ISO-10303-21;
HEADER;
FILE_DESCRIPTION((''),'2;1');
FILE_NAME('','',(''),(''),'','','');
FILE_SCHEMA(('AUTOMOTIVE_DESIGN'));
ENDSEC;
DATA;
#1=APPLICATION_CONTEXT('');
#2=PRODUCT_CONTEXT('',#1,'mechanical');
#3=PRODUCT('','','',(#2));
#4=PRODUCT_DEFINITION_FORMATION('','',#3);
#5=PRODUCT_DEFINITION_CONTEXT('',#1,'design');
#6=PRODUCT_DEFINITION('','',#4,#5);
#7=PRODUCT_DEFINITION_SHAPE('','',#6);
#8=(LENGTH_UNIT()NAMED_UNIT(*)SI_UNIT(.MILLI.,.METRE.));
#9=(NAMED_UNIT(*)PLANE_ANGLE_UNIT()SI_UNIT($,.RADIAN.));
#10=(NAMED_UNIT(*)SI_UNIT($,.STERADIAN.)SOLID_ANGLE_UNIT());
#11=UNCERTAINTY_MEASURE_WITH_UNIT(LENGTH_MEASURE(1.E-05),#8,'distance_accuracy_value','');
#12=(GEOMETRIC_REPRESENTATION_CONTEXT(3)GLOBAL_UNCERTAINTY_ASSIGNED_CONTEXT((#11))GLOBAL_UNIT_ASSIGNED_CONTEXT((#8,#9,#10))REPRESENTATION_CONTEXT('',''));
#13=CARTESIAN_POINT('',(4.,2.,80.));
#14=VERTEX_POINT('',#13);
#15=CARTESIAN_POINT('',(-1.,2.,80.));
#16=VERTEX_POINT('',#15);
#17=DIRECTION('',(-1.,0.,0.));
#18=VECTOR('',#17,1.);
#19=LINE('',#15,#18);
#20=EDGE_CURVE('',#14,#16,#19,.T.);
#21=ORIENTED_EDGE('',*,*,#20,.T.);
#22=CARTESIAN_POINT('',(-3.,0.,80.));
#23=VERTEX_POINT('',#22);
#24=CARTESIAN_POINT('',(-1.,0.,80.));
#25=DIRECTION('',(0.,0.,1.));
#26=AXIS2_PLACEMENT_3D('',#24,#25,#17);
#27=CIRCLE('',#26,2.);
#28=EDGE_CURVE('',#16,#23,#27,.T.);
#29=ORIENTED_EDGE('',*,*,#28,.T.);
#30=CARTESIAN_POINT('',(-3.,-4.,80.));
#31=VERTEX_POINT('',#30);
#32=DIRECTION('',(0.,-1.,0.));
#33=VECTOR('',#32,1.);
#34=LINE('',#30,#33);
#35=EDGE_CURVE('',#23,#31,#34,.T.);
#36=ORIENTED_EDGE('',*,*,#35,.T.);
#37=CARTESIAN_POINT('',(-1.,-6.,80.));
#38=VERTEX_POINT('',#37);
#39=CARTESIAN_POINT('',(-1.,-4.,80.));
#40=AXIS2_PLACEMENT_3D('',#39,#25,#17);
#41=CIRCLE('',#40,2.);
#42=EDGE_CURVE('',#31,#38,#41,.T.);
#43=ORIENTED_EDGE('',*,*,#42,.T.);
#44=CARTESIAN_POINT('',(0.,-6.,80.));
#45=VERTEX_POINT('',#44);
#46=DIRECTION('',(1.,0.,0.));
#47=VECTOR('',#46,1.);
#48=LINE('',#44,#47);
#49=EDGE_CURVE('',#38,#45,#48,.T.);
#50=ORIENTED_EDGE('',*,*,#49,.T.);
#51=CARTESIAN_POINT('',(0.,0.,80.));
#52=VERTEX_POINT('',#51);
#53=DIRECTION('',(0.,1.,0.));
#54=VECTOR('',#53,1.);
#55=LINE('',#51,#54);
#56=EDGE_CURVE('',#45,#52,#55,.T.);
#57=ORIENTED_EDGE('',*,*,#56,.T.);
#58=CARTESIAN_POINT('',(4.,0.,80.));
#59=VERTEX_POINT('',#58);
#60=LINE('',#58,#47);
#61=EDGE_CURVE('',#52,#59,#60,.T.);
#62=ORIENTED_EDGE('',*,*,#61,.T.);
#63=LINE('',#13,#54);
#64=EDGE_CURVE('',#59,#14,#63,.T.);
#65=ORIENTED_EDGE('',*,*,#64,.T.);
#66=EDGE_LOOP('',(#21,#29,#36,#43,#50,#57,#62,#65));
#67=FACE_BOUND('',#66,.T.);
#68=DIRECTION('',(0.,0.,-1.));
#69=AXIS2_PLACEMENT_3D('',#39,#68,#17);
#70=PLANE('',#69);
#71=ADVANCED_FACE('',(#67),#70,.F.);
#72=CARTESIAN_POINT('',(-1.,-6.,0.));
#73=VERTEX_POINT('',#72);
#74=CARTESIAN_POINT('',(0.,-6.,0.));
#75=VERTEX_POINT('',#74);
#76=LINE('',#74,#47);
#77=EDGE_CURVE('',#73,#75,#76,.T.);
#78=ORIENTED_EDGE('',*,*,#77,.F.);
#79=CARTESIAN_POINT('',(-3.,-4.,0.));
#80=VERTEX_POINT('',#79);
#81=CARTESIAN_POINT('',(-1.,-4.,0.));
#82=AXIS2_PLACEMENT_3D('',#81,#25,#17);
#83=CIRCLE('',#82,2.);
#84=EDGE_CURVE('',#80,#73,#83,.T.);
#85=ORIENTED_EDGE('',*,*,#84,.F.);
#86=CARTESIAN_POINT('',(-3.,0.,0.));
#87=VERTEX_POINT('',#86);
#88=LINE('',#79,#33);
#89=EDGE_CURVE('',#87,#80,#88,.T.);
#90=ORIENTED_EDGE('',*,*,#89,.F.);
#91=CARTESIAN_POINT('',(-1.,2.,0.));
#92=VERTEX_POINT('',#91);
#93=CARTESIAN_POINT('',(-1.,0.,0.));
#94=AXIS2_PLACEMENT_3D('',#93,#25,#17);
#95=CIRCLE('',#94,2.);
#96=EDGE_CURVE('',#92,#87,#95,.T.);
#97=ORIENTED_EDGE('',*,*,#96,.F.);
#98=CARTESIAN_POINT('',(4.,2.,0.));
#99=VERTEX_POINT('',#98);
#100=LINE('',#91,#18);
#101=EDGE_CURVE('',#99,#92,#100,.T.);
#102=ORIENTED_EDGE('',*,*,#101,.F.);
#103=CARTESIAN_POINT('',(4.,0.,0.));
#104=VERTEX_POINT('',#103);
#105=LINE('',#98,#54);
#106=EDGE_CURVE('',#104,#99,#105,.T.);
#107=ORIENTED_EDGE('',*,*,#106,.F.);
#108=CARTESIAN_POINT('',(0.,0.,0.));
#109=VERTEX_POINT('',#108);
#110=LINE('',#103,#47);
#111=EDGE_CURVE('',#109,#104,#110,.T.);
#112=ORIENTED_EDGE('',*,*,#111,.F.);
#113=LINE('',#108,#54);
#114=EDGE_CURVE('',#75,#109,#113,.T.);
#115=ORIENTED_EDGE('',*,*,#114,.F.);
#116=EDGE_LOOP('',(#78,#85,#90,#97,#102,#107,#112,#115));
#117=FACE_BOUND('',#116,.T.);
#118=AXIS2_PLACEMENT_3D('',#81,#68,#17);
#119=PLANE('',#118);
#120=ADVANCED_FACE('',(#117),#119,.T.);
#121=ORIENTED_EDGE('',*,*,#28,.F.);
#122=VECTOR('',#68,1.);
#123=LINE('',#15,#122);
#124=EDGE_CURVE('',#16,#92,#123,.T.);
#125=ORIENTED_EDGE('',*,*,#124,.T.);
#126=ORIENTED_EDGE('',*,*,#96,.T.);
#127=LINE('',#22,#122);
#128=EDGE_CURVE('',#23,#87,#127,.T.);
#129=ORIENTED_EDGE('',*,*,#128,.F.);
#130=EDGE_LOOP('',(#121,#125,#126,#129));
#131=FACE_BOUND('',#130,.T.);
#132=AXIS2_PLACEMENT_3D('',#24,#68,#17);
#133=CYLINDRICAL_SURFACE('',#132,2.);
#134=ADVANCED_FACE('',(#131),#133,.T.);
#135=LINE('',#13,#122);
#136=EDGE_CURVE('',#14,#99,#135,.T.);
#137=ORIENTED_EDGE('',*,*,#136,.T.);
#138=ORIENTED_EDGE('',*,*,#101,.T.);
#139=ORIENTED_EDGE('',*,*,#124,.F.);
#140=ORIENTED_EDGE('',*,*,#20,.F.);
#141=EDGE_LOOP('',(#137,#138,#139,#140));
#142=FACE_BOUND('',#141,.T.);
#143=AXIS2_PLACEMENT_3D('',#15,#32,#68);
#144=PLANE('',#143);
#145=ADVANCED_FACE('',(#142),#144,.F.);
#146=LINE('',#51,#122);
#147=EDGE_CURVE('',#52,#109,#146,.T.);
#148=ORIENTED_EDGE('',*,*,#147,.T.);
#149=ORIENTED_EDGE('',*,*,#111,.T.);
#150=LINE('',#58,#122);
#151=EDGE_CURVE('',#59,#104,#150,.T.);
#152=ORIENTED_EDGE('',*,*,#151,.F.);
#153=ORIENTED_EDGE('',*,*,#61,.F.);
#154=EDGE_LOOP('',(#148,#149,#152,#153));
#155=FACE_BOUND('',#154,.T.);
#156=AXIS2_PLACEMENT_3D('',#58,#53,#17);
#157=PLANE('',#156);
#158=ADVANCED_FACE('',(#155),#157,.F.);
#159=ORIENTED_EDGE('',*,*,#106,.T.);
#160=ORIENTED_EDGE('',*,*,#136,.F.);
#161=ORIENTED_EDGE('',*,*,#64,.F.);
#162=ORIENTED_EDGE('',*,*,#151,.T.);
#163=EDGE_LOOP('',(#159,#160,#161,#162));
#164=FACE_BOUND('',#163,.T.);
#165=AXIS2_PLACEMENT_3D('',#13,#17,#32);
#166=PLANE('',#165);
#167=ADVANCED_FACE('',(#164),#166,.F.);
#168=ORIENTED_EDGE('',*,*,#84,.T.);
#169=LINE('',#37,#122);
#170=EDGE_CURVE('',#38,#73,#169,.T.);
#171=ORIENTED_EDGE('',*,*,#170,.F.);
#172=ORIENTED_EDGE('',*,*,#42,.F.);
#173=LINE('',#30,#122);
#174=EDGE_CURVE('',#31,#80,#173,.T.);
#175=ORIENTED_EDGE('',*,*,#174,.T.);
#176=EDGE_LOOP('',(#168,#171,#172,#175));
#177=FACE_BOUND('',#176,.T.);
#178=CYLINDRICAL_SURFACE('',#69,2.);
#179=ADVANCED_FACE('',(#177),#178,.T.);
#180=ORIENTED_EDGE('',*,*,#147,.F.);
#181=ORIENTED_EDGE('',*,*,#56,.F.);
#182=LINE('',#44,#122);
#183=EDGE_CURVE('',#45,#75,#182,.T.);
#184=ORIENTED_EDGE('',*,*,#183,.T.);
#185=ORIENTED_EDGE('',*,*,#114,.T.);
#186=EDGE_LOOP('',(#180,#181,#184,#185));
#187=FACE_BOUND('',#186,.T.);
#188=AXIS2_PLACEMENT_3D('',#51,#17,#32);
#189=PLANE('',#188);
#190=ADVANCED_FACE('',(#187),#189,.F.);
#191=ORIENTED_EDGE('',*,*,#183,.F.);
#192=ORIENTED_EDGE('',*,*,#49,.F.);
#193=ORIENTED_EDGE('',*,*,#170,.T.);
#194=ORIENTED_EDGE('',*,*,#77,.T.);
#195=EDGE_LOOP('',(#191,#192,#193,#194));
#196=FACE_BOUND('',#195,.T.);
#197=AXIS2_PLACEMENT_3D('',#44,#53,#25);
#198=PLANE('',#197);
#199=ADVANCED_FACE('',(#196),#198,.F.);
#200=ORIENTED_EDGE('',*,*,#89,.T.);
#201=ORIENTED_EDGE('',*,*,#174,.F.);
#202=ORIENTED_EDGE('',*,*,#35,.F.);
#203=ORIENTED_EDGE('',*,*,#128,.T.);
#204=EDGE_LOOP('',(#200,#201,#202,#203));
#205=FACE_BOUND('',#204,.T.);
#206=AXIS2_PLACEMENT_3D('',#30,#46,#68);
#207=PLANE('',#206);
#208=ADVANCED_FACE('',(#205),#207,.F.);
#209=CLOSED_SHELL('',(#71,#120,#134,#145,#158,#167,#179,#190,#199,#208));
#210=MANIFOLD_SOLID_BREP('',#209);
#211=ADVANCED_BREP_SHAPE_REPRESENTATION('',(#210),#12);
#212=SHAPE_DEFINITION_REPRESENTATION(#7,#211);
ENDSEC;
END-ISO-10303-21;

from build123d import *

# Parameters (mm, degrees)
BOSS_EXTRUDE1_DEPTH = 80


with BuildPart() as part:
    # Sketch1 → Boss-Extrude1 (new body)
    with BuildSketch(Plane.XY):
        with BuildLine():
            Line((0, 0), (0, -6))
            Line((0, -6), (-1, -6))
            ThreePointArc((-1, -6), (-2.414213562, -5.414213562), (-3, -4))
            Line((-3, -4), (-3, 0))
            ThreePointArc((-3, 0), (-2.414213562, 1.414213562), (-1, 2))
            Line((-1, 2), (4, 2))
            Line((4, 2), (4, 0))
            Line((4, 0), (0, 0))
        make_face()
    extrude(amount=BOSS_EXTRUDE1_DEPTH)


solid = part.part
